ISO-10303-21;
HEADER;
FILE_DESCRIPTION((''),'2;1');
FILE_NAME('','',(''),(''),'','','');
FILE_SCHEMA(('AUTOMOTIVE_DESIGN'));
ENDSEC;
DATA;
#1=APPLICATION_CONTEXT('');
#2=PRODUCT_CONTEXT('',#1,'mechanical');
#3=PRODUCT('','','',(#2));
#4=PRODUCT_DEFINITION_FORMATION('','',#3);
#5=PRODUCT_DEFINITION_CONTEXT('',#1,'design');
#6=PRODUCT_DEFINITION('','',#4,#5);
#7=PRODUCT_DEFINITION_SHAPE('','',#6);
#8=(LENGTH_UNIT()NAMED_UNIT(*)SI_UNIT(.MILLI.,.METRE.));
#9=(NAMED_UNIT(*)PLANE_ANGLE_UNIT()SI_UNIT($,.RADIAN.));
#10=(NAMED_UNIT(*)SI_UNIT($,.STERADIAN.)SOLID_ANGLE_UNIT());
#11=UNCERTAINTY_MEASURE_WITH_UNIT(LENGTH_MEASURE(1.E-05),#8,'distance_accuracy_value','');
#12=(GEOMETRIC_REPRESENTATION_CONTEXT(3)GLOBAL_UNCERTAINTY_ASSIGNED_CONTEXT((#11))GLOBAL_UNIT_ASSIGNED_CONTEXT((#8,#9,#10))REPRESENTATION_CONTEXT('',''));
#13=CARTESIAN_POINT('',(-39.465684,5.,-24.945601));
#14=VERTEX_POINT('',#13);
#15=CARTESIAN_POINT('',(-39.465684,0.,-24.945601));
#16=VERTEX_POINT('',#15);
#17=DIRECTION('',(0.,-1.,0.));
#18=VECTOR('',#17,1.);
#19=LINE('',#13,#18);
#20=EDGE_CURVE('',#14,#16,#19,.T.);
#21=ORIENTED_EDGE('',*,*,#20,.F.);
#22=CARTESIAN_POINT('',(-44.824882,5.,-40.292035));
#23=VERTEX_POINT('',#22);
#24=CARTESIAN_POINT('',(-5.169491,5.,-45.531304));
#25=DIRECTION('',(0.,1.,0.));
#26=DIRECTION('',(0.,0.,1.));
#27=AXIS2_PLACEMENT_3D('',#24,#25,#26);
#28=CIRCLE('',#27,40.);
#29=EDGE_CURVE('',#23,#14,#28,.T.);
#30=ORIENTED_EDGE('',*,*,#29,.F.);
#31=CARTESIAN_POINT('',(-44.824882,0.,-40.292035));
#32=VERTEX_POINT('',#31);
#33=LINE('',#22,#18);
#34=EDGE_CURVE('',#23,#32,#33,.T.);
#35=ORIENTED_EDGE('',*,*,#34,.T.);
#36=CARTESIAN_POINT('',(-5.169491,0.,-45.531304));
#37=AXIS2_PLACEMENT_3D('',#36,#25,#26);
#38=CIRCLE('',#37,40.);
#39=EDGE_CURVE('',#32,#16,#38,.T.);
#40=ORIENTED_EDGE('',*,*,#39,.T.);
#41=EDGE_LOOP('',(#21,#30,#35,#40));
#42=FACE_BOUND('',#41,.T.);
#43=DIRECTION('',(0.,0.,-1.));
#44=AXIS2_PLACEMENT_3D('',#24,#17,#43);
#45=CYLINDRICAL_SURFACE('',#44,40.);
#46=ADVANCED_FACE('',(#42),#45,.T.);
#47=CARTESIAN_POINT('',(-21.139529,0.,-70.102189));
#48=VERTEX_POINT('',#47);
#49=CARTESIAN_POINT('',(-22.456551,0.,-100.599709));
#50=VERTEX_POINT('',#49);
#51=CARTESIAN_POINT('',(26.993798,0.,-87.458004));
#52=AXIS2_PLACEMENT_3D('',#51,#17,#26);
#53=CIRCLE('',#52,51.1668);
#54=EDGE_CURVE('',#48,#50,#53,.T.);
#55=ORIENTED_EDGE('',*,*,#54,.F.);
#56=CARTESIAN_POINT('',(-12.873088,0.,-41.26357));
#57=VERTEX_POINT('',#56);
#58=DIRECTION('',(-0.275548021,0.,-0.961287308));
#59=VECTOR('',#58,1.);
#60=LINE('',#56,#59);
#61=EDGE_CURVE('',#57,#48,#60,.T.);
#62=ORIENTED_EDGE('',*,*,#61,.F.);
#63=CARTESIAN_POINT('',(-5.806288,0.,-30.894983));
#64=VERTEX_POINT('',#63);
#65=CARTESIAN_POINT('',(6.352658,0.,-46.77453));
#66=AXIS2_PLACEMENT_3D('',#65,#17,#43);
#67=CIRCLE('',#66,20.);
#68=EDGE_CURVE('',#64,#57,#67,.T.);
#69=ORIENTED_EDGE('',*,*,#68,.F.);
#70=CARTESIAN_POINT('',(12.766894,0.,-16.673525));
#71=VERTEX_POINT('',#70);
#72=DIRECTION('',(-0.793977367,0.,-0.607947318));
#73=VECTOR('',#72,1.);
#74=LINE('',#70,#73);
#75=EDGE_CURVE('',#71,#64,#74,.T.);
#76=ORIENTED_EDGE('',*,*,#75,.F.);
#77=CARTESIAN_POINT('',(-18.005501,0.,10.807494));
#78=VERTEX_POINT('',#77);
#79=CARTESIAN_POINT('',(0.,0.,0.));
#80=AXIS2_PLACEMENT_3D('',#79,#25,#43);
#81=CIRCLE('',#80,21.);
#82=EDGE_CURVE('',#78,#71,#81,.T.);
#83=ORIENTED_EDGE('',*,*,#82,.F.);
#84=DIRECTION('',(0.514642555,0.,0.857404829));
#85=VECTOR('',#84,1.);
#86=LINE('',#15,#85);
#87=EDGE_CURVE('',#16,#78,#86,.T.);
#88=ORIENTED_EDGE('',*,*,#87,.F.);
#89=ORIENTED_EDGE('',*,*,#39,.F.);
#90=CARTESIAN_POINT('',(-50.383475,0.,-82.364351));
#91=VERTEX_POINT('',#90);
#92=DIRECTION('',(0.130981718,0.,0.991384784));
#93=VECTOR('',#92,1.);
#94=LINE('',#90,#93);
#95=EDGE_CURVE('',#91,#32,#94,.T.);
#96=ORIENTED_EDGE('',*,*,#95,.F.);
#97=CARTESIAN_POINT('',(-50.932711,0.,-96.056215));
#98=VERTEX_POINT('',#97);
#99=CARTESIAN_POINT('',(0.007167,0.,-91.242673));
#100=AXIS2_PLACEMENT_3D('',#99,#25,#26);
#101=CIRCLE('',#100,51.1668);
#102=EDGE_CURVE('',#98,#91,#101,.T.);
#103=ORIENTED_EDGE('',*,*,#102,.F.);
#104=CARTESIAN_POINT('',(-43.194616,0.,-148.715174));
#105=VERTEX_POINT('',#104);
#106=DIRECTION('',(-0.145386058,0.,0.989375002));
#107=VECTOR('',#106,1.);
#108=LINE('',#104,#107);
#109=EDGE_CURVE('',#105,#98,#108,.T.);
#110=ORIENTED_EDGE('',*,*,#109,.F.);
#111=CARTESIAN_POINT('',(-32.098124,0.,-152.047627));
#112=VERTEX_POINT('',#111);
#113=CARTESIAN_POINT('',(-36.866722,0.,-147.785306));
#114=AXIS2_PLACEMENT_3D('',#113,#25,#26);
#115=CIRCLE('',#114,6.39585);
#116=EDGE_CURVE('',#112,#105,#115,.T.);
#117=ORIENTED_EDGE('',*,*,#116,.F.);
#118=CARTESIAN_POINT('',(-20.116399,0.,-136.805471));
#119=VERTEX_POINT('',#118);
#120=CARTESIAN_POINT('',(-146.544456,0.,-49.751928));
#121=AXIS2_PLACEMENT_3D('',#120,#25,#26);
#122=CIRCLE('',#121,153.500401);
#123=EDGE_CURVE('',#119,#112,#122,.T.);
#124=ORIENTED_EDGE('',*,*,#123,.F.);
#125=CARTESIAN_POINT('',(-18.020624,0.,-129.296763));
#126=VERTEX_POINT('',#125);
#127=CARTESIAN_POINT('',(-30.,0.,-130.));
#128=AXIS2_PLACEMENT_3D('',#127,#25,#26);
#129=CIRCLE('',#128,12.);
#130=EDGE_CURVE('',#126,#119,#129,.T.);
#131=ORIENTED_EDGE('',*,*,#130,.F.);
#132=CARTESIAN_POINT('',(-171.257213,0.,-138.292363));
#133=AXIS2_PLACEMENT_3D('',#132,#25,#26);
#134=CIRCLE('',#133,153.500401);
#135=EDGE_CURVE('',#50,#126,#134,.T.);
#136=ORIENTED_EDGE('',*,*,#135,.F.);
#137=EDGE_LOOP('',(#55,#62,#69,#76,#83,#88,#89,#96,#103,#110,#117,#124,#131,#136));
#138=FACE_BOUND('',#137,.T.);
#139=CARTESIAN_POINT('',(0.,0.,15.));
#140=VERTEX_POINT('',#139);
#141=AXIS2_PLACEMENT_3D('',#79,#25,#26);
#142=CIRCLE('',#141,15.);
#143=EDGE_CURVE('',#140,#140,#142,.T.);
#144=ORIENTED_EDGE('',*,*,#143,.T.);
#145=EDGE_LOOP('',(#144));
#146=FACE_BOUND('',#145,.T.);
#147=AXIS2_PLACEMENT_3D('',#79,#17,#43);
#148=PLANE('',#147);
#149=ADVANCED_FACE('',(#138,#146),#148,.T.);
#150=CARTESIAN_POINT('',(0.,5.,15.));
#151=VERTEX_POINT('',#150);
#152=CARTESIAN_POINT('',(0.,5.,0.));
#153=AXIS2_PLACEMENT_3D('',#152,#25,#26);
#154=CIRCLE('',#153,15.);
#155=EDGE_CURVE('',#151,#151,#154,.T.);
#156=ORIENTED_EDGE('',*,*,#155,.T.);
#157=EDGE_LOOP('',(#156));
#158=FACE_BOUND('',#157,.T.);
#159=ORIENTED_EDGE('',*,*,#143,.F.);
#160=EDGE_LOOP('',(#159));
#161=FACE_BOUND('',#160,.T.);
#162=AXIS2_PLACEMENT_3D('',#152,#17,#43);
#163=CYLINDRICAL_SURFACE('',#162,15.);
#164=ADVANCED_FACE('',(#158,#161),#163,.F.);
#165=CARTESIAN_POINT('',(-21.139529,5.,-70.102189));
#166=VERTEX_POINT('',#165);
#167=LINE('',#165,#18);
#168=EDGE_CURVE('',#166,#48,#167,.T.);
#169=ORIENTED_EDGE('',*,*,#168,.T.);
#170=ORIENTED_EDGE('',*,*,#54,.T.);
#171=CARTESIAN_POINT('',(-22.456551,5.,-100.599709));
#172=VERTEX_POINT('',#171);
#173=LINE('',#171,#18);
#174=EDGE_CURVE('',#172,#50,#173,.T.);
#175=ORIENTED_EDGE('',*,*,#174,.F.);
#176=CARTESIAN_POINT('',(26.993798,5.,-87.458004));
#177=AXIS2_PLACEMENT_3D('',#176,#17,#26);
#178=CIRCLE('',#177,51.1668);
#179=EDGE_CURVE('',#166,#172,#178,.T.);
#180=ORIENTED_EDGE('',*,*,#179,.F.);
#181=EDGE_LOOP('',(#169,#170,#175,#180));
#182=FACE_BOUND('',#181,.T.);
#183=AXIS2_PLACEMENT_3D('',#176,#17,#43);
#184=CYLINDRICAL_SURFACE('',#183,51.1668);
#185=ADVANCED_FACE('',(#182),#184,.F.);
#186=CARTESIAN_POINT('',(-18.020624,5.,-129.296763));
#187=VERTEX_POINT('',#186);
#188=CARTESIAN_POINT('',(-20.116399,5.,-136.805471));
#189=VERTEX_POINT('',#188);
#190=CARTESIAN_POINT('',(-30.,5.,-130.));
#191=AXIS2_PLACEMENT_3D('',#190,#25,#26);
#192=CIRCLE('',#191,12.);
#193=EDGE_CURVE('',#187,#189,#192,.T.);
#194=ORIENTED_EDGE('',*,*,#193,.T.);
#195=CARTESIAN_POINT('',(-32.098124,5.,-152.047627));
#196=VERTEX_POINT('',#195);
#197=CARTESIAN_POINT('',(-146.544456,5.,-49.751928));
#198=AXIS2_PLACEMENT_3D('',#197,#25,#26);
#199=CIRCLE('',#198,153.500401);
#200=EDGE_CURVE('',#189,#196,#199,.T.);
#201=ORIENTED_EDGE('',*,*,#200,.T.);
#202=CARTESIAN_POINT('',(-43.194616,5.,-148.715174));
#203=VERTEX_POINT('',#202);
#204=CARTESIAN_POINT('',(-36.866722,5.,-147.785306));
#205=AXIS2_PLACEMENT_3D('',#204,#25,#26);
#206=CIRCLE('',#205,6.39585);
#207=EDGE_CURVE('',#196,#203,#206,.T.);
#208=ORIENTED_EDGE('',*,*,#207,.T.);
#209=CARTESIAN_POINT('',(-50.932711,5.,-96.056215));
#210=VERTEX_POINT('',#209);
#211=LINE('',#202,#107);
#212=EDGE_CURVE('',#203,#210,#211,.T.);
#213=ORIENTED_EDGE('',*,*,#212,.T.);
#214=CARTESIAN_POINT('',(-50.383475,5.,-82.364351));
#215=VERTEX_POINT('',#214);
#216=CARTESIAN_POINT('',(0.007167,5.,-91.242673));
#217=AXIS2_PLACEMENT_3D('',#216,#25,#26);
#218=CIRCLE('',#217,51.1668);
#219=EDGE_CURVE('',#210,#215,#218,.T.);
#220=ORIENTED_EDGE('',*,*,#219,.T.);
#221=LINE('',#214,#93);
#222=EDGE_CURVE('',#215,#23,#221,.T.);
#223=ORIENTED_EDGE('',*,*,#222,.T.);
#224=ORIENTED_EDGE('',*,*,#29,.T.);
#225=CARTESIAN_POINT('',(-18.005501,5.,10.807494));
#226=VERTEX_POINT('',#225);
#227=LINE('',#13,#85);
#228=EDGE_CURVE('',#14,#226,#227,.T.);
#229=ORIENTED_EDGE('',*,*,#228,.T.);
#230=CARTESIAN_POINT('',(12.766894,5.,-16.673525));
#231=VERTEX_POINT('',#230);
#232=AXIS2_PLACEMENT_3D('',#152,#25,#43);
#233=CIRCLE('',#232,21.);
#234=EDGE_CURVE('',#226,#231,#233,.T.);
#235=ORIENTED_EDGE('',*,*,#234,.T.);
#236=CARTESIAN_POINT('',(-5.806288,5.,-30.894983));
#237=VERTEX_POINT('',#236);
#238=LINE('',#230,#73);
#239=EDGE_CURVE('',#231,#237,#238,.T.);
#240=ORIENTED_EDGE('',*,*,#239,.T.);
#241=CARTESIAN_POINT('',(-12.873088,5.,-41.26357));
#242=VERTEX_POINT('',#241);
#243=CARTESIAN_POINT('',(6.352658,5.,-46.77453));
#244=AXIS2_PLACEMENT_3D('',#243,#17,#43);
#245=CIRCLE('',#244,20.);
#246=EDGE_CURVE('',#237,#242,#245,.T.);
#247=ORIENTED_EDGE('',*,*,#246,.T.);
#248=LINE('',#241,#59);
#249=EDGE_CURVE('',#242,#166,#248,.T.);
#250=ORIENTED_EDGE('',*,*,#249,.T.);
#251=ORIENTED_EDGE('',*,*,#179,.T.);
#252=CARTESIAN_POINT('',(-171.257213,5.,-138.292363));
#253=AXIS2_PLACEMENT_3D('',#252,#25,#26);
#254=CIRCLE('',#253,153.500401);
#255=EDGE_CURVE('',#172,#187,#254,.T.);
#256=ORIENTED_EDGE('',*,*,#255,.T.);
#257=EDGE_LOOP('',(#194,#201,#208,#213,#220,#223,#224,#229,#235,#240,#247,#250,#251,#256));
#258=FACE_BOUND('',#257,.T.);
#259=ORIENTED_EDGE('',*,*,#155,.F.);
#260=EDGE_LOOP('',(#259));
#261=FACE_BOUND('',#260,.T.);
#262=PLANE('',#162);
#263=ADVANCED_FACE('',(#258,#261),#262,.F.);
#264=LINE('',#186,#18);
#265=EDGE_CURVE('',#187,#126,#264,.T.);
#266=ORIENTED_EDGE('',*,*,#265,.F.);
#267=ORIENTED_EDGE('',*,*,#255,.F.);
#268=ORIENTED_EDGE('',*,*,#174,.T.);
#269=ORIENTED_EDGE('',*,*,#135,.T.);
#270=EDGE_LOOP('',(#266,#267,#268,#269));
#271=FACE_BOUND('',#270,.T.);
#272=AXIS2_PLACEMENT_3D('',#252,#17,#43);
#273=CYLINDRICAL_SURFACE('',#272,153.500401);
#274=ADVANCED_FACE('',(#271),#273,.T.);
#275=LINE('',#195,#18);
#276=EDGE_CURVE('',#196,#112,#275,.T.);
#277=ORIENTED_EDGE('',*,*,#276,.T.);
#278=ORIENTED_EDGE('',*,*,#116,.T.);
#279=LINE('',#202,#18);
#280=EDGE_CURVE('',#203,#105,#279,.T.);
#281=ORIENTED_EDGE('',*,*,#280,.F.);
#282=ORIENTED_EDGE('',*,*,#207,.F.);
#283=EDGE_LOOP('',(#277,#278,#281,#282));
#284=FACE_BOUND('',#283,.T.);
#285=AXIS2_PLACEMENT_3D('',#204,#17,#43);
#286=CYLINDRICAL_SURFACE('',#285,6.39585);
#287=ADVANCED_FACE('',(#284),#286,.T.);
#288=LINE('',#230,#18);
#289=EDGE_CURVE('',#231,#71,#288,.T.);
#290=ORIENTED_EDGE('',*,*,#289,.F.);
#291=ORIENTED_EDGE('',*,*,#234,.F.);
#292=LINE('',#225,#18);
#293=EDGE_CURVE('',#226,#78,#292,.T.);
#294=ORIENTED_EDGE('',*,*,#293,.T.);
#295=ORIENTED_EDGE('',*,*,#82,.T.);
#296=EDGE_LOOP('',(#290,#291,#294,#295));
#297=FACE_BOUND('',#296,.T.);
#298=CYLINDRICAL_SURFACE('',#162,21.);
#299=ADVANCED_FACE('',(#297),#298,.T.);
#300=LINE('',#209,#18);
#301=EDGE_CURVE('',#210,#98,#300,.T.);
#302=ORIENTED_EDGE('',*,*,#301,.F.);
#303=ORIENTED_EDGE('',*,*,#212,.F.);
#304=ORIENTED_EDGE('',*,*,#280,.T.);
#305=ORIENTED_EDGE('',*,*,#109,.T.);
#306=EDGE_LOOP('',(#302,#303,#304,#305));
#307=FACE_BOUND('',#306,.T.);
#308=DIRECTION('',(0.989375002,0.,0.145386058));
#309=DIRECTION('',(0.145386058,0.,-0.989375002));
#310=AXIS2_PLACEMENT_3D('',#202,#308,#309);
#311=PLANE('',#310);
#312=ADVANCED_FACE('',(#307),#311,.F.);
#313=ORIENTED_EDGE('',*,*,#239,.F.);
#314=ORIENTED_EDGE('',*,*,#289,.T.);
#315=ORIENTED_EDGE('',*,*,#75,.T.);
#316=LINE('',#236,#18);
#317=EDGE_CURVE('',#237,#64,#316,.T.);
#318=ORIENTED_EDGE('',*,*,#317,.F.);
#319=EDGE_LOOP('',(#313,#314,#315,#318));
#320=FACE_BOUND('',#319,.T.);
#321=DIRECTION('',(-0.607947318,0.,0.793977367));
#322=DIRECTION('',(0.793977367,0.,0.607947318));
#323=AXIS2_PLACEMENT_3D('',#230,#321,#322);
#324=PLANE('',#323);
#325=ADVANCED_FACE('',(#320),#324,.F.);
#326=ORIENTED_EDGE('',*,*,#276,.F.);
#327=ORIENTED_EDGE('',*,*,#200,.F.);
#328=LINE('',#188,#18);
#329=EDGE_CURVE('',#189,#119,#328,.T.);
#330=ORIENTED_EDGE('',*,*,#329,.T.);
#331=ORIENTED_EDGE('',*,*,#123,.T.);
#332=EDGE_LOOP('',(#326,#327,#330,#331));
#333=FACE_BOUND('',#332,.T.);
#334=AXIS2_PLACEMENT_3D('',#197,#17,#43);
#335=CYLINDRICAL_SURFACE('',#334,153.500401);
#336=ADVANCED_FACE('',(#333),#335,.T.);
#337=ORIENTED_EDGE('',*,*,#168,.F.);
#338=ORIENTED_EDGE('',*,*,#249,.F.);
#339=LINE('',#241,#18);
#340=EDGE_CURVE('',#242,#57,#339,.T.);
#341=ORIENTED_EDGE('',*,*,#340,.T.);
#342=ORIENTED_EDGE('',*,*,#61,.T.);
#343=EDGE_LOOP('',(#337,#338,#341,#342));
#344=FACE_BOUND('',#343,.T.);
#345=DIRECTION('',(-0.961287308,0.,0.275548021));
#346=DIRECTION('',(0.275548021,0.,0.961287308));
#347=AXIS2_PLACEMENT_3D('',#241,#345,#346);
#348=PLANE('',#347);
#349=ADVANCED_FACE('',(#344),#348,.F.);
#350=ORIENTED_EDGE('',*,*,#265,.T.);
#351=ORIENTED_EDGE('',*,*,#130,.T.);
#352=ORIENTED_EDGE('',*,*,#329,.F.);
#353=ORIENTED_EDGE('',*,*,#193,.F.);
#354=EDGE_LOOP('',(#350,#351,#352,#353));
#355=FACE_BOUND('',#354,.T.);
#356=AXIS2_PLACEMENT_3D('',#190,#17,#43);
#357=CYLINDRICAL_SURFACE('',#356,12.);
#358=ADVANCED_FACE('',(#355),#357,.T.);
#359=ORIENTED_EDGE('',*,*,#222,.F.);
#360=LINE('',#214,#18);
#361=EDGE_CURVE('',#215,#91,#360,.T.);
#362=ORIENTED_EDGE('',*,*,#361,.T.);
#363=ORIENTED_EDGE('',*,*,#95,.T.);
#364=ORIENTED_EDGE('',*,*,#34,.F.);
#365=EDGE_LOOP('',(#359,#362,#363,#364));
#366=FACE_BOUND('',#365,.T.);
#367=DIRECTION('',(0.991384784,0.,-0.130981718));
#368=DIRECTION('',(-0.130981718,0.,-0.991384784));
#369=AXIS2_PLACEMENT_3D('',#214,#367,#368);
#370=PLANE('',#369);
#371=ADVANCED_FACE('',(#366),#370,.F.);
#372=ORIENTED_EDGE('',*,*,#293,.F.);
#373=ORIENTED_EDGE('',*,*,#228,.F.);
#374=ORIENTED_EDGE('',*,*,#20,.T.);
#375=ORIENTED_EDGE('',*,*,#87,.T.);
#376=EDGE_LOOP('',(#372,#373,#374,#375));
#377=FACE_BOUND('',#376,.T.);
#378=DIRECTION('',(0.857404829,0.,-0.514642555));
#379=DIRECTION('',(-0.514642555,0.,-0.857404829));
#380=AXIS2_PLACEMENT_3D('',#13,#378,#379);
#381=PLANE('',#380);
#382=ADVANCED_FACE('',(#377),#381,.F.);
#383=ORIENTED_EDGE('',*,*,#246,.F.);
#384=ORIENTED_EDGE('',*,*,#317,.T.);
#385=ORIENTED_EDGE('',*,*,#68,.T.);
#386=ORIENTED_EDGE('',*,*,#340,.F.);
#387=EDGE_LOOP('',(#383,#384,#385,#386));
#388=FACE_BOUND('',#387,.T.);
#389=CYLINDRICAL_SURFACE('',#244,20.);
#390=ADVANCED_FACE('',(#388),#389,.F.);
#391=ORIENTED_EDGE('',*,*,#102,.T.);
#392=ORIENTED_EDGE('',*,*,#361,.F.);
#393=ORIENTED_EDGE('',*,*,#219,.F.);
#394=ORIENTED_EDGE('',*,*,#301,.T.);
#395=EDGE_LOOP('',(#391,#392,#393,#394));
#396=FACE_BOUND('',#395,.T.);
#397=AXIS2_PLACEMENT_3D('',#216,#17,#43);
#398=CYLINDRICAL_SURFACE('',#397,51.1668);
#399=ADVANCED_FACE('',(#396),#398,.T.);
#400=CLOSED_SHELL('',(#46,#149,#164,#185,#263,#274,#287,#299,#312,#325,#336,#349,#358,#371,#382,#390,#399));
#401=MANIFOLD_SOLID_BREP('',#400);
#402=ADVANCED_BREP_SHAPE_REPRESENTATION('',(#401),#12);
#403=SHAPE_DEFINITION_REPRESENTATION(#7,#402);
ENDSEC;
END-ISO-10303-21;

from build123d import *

# Parameters (mm, degrees)
SKETCH1_R           = 15
BOSS_EXTRUDE2_DEPTH = 5


with BuildPart() as part:
    # Sketch1 → Boss-Extrude2 (new body)
    with BuildSketch(Plane(origin=(0, 0, 0), x_dir=(1, 0, 0), z_dir=(0, 1, 0))):
        with BuildLine():
            Line((12.766893669, 16.673524704), (-5.806288098, 30.894983029))
            ThreePointArc((-5.806288098, 30.894983029), (-10.173884932, 35.51072238), (-12.873087905, 41.263569952))
            Line((-12.873087905, 41.263569952), (-21.139528525, 70.102189189))
            ThreePointArc((-21.139528525, 70.102189189), (-24.1253581, 85.250444887), (-22.456551163, 100.599709115))
            ThreePointArc((-22.456551163, 100.599709115), (-19.558480324, 114.843106453), (-18.020623668, 129.29676271))
            ThreePointArc((-18.020623668, 129.29676271), (-18.441772746, 133.226047543), (-20.116399197, 136.805470974))
            ThreePointArc((-20.116399197, 136.805470974), (-25.866377757, 144.615905974), (-32.098124488, 152.047627243))
            ThreePointArc((-32.098124488, 152.047627243), (-38.706331156, 153.910886754), (-43.194615771, 148.715173848))
            Line((-43.194615771, 148.715173848), (-50.932711484, 96.056215067))
            ThreePointArc((-50.932711484, 96.056215067), (-51.118515181, 89.191813761), (-50.383474997, 82.364351257))
            Line((-50.383474997, 82.364351257), (-44.824882263, 40.292034954))
            ThreePointArc((-44.824882263, 40.292034954), (-42.933064202, 32.343713579), (-39.465684055, 24.945601445))
            Line((-39.465684055, 24.945601445), (-18.005501401, -10.807493664))
            ThreePointArc((-18.005501401, -10.807493664), (13.987935708, -15.66325811), (12.766893669, 16.673524704))
        make_face()
        with Locations(Location((0, 0, 0), (0, 0, 270))):
            Circle(SKETCH1_R, mode=Mode.SUBTRACT)
    extrude(amount=BOSS_EXTRUDE2_DEPTH)


solid = part.part
